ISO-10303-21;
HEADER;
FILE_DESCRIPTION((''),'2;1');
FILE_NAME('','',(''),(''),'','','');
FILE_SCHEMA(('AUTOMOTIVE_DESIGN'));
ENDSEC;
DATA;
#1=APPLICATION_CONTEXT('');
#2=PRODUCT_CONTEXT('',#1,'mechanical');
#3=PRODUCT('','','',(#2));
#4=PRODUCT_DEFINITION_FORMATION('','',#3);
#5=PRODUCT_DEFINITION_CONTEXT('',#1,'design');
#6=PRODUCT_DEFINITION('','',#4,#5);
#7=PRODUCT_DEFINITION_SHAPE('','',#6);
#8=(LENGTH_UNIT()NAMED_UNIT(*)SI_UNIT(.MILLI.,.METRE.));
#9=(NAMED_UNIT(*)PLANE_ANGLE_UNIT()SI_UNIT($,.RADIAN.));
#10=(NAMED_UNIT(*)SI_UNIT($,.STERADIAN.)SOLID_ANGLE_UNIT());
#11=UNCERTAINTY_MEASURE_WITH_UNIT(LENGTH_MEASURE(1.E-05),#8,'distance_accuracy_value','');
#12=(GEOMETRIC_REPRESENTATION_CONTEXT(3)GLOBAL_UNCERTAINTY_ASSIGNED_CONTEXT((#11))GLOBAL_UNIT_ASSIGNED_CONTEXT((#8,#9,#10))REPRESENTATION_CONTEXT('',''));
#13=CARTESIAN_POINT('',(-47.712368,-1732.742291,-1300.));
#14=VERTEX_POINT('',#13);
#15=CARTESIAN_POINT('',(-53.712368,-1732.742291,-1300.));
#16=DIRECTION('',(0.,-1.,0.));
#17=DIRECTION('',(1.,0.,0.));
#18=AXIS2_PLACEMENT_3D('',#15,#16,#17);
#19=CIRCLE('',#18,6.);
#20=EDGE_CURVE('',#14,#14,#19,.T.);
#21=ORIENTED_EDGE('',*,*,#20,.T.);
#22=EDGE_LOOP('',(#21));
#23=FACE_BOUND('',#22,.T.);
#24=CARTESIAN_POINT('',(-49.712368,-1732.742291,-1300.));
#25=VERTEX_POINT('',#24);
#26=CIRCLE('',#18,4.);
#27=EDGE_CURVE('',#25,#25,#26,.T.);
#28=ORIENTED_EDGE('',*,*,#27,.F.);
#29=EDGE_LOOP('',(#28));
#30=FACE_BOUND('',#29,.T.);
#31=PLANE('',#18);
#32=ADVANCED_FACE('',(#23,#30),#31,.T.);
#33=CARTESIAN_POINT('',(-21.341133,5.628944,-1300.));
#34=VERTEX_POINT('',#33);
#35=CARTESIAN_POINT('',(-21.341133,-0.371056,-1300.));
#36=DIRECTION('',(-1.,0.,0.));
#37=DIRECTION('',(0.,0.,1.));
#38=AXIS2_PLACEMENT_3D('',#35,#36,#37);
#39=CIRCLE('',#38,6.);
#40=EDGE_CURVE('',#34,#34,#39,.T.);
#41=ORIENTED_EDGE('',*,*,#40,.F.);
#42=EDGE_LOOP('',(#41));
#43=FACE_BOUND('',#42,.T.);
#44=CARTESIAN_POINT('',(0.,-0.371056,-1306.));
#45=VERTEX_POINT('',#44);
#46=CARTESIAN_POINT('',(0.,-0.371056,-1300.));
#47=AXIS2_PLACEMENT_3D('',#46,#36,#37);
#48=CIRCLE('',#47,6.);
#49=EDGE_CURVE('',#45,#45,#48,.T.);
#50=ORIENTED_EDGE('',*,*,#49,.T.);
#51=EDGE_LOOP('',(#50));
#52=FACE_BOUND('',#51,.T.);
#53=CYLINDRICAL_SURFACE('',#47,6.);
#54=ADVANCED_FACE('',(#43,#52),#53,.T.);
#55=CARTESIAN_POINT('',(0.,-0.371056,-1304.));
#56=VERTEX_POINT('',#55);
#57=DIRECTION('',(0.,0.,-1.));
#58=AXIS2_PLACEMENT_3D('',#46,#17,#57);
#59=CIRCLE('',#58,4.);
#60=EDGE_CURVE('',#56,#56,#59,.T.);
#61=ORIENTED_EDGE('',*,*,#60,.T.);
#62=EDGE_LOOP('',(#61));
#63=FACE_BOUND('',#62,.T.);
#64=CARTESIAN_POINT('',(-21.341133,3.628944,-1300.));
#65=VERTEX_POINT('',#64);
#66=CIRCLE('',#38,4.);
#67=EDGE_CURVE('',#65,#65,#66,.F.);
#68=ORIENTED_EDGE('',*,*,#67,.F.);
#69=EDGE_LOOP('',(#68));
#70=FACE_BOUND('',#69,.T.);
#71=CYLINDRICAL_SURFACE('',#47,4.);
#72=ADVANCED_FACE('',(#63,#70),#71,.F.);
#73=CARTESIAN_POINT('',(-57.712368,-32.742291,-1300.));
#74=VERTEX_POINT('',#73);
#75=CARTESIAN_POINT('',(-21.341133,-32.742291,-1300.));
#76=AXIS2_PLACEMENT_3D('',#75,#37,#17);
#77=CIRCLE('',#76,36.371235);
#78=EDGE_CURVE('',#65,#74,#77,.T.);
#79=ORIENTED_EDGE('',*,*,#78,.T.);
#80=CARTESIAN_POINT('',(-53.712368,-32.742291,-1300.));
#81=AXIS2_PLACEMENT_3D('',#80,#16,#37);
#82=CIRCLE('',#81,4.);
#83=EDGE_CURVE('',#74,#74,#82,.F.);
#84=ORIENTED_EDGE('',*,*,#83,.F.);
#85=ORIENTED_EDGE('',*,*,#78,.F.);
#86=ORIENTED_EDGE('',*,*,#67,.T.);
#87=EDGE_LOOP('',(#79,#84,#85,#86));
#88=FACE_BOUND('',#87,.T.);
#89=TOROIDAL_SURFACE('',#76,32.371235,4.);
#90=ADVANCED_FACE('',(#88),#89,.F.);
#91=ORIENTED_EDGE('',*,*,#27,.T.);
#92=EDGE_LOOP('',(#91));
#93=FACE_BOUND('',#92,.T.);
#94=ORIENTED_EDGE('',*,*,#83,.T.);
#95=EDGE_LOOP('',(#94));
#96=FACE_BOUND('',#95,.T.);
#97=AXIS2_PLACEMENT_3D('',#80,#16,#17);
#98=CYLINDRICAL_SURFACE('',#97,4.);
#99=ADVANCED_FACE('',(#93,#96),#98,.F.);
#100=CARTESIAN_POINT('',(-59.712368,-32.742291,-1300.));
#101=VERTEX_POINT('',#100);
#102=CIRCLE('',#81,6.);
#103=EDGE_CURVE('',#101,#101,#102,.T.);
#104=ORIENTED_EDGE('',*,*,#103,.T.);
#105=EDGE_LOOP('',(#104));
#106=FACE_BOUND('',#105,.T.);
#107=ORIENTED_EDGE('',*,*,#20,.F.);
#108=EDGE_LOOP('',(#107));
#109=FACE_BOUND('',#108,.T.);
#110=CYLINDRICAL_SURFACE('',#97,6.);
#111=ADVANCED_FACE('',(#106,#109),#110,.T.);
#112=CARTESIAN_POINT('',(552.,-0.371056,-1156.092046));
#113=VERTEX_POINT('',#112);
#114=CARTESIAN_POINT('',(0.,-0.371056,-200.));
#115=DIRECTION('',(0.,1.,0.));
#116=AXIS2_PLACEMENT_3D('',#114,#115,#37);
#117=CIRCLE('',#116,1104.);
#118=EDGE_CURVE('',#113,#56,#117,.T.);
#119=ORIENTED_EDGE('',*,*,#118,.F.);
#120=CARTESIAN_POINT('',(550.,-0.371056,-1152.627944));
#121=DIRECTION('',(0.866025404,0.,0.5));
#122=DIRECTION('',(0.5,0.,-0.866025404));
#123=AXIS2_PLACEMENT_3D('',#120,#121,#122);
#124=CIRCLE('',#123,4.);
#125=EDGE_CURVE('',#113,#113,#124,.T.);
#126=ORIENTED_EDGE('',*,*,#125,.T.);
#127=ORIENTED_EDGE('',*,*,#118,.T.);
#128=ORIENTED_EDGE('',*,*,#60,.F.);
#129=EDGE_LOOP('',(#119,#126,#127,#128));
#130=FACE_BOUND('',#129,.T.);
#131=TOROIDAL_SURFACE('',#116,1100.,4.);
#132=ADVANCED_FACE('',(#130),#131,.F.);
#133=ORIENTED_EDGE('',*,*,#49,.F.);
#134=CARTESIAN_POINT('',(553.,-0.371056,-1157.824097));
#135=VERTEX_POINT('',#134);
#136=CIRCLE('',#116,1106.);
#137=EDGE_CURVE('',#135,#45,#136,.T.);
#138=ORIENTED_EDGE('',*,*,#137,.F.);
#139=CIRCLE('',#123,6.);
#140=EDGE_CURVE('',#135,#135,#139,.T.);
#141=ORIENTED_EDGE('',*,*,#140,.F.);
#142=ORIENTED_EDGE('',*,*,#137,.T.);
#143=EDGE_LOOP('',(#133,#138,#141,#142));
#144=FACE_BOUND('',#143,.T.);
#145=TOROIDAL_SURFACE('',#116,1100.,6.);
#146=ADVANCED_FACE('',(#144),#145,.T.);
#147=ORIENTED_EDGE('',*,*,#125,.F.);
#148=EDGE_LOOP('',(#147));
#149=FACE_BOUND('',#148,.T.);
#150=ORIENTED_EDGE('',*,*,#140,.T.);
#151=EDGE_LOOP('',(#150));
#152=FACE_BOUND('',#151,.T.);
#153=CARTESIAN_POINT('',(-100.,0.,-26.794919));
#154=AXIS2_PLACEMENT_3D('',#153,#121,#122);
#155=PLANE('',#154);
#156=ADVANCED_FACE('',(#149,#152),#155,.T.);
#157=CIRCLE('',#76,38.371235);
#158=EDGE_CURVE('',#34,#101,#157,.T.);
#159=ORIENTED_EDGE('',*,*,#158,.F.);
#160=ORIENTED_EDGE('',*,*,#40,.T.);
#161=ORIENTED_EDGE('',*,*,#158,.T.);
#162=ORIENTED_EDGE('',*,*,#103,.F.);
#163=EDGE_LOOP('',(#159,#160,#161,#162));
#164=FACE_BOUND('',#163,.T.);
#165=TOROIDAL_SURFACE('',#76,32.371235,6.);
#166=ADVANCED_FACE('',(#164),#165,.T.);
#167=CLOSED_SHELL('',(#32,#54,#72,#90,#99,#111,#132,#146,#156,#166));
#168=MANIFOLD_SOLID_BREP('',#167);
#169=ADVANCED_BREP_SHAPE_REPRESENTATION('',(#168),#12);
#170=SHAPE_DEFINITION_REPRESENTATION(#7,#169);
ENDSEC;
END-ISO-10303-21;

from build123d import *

# Parameters (mm, degrees)
SKETCH_1_R      = 6
SKETCH_1_R_2    = 4
REVOLVE_1_ANGLE = 30
SKETCH_2_R      = 15
SKETCH_2_R_2    = 10
SKETCH_2_R_3    = 6
SKETCH_2_R_4    = 4
SKETCH_11_R     = 6
SKETCH_11_R_2   = 4
EXTRUDE_1_DEPTH = 800


with BuildPart() as part:
    # 草图1 → 旋转1 (revolve)
    with BuildSketch(Plane(origin=(0, 0, 0), x_dir=(0, 0, -1), z_dir=(1, 0, 0))):
        with Locations((1300, -0.371055822)):
            Circle(SKETCH_1_R)
        with Locations((1300, -0.371055822)):
            Circle(SKETCH_1_R_2, mode=Mode.SUBTRACT)
    revolve(axis=Axis((0, 0, -200), (0, -1, 0)), revolution_arc=REVOLVE_1_ANGLE)

    # 扫描1: sweep along a path in 草图3
    with BuildLine(Plane.YX.offset(500)) as sweep_1_path:
        Line((0, 0), (0, -21.341132523))
        ThreePointArc((0, -21.341132523), (-9.589995058, -44.493428655), (-32.742291189, -54.083423712))
        Line((-32.742291189, -54.083423712), (-932.742291189, -54.083423712))
    # 草图2 → 扫描1 (sweep)
    # profile 1 of 2: a face of its own
    with BuildSketch(Plane.ZY):
        with Locations((-500, -0.371055822)):
            Circle(SKETCH_2_R)
        with Locations((-500, -0.371055822)):
            Circle(SKETCH_2_R_2, mode=Mode.SUBTRACT)
    # profile 2 of 2: a face of its own
    with BuildSketch(Plane.ZY):
        with Locations((-1300, -0.371055822)):
            Circle(SKETCH_2_R_3)
        with Locations((-1300, -0.371055822)):
            Circle(SKETCH_2_R_4, mode=Mode.SUBTRACT)
    sweep(path=sweep_1_path.line)


with BuildPart() as sweep_1_kept_piece:
    # of the separate pieces the step leaves, the one the design keeps (sweep_1_pieces_kept)
    add(part.part.solids().sort_by_distance((0, -0.371055822, -1306))[0])

    # 草图11 → 凸台-拉伸1 (add)
    with BuildSketch(Plane.XZ.offset(932.742291189)):
        with Locations((-53.712367891, -1300)):
            Circle(SKETCH_11_R)
        with Locations((-53.712367891, -1300)):
            Circle(SKETCH_11_R_2, mode=Mode.SUBTRACT)
    extrude(amount=EXTRUDE_1_DEPTH)


solid = sweep_1_kept_piece.part
